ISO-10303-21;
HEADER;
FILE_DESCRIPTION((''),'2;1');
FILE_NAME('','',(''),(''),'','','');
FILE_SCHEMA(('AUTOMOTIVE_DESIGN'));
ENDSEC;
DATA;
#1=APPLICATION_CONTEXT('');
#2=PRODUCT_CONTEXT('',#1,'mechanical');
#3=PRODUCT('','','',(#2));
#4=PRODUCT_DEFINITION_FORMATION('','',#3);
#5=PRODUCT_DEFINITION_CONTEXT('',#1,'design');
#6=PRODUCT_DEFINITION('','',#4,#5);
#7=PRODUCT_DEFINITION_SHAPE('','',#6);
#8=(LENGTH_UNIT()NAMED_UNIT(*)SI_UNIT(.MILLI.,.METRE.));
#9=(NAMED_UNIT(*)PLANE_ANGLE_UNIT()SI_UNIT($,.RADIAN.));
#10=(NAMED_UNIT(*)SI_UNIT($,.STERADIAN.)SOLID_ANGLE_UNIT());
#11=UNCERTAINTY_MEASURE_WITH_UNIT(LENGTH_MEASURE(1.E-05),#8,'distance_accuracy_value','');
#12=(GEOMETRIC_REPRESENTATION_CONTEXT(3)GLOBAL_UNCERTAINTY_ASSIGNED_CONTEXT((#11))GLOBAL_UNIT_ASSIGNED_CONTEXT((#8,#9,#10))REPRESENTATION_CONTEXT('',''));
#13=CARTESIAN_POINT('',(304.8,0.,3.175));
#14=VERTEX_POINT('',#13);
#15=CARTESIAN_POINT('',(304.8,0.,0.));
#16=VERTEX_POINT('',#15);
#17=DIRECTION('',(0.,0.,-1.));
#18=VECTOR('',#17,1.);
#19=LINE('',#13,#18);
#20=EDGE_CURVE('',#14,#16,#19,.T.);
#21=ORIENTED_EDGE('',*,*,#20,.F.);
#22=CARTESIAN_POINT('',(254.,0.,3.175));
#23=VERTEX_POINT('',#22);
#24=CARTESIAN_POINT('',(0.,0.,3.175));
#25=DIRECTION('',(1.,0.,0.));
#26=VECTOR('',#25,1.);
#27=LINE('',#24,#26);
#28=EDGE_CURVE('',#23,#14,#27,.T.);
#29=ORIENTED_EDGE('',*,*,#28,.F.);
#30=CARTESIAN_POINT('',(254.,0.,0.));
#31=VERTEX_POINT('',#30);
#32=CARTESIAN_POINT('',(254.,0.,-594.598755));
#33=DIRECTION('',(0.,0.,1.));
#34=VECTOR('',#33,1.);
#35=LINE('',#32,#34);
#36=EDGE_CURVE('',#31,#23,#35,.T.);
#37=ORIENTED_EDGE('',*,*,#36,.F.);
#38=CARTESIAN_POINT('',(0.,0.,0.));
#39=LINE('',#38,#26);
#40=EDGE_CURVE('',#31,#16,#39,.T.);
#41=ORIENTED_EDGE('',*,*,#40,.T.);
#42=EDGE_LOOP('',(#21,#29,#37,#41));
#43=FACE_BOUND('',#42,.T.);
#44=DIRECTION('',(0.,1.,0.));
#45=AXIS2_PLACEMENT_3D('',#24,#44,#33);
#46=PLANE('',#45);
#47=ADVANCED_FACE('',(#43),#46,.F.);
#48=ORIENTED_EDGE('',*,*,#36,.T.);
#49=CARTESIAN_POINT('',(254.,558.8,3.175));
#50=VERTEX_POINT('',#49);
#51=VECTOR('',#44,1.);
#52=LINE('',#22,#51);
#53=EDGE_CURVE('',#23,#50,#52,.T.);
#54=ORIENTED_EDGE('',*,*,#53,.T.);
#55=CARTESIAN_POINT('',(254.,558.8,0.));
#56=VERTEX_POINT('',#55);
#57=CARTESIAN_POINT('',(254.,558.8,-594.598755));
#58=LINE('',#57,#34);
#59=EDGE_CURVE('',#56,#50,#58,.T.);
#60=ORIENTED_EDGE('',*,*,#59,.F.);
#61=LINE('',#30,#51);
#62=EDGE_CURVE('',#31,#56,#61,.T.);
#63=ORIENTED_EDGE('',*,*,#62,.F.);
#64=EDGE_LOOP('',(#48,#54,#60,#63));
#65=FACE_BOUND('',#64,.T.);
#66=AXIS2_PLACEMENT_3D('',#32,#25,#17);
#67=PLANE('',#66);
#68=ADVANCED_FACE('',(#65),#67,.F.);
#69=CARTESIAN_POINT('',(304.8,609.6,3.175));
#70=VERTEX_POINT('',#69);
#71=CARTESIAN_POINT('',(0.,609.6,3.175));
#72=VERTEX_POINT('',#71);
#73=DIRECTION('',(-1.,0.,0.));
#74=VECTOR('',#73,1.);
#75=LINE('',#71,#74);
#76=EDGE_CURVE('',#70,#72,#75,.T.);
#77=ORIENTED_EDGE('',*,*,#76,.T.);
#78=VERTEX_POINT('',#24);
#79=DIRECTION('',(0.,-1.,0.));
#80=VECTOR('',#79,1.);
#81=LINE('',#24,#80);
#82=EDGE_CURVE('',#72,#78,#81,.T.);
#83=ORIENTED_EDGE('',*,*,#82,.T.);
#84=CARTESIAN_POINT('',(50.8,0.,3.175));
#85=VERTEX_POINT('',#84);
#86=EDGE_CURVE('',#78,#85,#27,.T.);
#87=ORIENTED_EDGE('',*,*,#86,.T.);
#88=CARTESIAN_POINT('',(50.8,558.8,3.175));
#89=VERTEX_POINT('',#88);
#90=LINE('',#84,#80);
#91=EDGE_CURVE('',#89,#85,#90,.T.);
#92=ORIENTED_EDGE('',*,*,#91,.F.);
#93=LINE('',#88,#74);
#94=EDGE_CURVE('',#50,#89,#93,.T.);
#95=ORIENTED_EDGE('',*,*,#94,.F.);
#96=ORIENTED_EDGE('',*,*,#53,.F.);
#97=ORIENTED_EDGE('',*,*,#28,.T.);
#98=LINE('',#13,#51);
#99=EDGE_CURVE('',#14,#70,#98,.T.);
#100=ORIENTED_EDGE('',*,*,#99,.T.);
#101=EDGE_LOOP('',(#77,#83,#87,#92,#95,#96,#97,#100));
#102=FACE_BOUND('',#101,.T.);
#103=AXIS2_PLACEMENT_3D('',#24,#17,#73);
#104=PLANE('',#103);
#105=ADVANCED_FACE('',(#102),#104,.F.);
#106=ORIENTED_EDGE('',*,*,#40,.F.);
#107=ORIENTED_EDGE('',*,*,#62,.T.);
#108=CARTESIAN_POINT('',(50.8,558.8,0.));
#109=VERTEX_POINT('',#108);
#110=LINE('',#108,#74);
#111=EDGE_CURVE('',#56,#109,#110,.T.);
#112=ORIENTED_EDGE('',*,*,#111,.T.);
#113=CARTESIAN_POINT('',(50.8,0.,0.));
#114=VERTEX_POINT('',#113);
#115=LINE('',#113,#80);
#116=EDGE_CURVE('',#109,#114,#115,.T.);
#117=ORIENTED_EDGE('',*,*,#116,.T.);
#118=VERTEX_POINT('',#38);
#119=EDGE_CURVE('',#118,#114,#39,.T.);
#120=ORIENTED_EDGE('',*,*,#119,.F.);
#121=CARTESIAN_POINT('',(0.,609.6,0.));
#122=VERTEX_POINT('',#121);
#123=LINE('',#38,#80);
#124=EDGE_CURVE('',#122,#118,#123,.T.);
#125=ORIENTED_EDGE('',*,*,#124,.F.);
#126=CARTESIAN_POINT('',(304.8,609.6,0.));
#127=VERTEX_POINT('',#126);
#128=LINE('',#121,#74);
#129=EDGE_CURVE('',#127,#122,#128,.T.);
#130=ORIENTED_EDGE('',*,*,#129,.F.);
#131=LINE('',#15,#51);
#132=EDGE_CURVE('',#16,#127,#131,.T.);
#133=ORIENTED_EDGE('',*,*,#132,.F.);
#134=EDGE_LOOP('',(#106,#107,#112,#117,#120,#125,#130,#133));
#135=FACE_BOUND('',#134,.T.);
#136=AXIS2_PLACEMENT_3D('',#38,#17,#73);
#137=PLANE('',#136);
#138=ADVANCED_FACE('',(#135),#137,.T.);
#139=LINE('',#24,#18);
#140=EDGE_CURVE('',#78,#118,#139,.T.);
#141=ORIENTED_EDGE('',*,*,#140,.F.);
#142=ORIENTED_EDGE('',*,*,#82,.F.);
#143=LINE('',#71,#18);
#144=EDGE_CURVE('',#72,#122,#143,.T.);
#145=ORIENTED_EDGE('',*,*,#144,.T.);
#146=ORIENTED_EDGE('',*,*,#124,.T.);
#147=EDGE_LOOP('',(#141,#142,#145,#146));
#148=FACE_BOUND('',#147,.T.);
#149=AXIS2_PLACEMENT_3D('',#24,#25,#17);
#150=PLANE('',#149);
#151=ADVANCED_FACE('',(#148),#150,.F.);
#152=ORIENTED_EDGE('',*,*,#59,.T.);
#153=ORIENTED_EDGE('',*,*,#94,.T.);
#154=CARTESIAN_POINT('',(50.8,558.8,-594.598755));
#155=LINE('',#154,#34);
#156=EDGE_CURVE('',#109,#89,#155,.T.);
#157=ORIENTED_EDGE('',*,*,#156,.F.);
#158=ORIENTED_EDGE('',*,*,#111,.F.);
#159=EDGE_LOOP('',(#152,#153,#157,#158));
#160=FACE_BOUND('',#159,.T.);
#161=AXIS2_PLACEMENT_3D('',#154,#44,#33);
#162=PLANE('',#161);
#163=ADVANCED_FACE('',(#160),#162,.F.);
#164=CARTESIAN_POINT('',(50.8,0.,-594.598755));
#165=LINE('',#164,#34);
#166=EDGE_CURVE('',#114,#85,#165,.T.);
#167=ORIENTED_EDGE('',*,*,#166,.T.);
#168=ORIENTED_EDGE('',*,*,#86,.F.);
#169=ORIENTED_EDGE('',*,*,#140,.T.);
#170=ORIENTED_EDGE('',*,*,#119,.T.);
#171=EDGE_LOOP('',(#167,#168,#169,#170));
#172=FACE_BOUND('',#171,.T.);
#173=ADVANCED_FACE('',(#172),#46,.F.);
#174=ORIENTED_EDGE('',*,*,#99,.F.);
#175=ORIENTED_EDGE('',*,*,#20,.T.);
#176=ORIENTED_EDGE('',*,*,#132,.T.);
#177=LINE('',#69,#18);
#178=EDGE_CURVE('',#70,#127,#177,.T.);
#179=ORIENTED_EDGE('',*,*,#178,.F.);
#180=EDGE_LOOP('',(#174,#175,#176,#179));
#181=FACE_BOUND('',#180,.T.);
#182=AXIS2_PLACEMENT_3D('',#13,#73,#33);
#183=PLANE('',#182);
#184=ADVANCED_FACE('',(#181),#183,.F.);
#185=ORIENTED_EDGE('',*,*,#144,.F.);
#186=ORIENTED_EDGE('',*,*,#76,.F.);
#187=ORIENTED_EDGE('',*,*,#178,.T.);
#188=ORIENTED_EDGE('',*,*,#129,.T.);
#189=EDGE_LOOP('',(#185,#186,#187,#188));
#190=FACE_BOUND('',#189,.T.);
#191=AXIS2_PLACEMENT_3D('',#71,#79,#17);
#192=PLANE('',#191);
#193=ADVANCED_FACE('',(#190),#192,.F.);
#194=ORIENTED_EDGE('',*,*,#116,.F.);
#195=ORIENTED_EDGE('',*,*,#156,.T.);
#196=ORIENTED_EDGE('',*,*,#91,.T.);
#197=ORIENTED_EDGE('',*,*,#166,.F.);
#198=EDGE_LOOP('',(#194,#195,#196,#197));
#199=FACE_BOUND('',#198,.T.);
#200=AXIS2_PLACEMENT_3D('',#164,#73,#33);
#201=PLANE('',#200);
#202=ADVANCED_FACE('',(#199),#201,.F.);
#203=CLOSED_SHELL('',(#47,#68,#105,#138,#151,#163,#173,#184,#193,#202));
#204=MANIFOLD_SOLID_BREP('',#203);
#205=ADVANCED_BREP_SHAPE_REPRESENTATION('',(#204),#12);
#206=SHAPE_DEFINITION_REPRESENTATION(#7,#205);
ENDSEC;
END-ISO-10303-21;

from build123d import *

# Parameters (mm, degrees)
SKETCH2_W           = 304.8
SKETCH2_H           = 609.6
BOSS_EXTRUDE1_DEPTH = 3.175
SKETCH3_W           = 203.2
SKETCH3_H           = 558.8
CUT_EXTRUDE1_DEPTH  = 3.175


with BuildPart() as part:
    # Sketch2 → Boss-Extrude1 (new body)
    with BuildSketch(Plane.XY):
        with Locations((152.4, 304.8)):
            Rectangle(SKETCH2_W, SKETCH2_H)
    extrude(amount=BOSS_EXTRUDE1_DEPTH)

    # Sketch3 → Cut-Extrude1 (cut)
    with BuildSketch(Plane.XY.offset(3.175)):
        with Locations((152.4, 279.4)):
            Rectangle(SKETCH3_W, SKETCH3_H)
    extrude(amount=-CUT_EXTRUDE1_DEPTH, mode=Mode.SUBTRACT)


solid = part.part
